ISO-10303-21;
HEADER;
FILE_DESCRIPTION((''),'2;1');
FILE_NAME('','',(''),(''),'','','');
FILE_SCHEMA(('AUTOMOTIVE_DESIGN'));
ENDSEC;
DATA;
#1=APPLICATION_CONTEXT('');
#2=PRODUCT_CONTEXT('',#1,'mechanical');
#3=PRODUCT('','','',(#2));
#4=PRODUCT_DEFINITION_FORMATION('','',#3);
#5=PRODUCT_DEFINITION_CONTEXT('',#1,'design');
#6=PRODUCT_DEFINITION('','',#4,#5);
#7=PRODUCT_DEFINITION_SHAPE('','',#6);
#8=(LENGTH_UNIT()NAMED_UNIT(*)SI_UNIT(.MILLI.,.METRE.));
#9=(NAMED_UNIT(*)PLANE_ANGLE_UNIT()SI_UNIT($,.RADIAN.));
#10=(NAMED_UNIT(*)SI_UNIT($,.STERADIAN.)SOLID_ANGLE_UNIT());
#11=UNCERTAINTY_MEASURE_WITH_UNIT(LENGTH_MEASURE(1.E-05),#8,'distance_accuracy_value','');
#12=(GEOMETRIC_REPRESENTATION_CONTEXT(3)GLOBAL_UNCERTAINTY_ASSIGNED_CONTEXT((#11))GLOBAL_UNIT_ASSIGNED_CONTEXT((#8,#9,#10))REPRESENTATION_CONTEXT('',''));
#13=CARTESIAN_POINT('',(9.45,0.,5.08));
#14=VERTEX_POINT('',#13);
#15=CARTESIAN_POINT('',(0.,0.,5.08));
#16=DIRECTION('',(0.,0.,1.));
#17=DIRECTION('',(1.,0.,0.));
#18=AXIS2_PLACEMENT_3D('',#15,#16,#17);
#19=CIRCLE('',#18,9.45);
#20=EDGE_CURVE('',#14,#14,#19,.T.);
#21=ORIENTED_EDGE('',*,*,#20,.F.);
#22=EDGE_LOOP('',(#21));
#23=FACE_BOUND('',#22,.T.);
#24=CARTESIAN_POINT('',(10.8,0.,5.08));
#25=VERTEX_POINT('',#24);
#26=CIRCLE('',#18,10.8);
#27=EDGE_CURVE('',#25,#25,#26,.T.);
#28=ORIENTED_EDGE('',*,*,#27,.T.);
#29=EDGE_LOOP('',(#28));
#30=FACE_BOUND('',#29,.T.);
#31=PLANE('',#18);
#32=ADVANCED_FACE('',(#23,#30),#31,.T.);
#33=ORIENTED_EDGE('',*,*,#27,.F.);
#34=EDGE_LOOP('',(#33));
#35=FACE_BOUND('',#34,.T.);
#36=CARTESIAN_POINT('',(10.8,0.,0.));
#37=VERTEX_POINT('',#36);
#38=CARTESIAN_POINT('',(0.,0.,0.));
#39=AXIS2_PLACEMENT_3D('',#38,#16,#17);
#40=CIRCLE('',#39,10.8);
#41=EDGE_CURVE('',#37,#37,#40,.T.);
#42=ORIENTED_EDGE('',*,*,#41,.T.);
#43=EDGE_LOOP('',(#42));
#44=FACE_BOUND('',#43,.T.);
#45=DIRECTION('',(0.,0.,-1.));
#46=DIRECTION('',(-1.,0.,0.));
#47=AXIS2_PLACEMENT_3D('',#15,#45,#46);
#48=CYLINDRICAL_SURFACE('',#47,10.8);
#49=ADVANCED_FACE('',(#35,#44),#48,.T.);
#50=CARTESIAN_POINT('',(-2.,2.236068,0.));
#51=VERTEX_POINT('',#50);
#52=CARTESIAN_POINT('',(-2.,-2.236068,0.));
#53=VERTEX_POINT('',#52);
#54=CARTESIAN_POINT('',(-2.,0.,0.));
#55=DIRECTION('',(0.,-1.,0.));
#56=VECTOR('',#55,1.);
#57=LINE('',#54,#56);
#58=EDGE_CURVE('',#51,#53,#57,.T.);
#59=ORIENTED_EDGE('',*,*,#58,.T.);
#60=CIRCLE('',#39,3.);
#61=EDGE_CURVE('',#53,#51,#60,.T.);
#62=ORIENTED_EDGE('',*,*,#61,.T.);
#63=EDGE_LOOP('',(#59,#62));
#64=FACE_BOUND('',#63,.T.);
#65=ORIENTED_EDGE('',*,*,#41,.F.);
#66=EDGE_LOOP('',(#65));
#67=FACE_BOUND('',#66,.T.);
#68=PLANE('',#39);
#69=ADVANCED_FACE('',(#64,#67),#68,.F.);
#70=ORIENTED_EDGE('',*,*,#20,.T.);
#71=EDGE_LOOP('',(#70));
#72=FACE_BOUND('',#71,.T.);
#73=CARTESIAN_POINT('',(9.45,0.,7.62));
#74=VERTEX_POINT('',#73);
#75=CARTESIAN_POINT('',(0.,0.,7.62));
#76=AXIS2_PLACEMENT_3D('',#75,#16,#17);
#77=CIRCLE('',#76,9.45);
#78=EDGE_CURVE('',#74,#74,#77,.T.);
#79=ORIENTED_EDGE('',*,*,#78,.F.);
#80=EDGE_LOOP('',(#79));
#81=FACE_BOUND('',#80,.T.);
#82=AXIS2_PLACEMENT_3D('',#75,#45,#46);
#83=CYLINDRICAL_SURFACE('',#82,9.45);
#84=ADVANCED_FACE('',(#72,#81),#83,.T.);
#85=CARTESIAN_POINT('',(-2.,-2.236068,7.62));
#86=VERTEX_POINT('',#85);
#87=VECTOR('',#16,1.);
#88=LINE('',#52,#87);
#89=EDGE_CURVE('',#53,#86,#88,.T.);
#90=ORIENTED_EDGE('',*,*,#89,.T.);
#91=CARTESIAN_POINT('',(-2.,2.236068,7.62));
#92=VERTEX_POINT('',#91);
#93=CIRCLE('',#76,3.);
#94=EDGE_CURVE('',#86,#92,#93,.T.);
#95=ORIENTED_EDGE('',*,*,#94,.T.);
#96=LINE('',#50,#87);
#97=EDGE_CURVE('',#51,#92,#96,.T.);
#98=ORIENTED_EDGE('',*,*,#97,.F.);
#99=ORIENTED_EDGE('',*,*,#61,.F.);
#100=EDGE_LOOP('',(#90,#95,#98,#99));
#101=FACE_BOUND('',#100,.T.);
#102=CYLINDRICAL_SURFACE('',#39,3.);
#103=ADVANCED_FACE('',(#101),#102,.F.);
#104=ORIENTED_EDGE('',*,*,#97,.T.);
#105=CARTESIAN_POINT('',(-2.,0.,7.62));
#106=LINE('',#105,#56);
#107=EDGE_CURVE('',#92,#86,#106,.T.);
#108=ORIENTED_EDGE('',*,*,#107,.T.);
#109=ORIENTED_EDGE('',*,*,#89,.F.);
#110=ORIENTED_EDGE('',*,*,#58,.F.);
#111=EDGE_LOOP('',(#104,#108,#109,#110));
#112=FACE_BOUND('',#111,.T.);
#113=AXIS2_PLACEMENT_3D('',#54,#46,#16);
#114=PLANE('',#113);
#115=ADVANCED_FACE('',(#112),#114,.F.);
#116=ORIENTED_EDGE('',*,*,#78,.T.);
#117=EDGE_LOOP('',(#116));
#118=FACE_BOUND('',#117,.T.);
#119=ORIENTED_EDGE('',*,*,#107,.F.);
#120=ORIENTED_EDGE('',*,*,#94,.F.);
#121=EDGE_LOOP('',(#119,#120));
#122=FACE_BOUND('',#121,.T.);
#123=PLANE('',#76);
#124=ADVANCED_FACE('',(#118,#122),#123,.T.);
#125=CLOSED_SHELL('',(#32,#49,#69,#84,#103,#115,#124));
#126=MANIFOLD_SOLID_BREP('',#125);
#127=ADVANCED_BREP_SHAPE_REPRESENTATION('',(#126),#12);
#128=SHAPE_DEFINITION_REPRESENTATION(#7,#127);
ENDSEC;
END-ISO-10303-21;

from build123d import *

# Parameters (mm, degrees)
SKETCH1_R           = 10.8
BOSS_EXTRUDE1_DEPTH = 5.08
SKETCH2_R           = 9.45
BOSS_EXTRUDE2_DEPTH = 2.54
CUT_EXTRUDE1_DEPTH  = 18.068813667


with BuildPart() as part:
    # Sketch1 → Boss-Extrude1 (new body)
    with BuildSketch(Plane.XY):
        Circle(SKETCH1_R)
    extrude(amount=BOSS_EXTRUDE1_DEPTH)

    # Sketch2 → Boss-Extrude2 (add)
    with BuildSketch(Plane.XY.offset(5.08)):
        Circle(SKETCH2_R)
    extrude(amount=BOSS_EXTRUDE2_DEPTH)

    # Sketch3 → Cut-Extrude1 (cut, through all)
    with BuildSketch(Plane.XY.offset(7.62)):
        with BuildLine():
            Line((-2, 0), (-2, 2.236067977))
            ThreePointArc((-2, 2.236067977), (3, 0), (-2, -2.236067977))
            Line((-2, -2.236067977), (-2, 0))
        make_face()
    extrude(amount=-CUT_EXTRUDE1_DEPTH, mode=Mode.SUBTRACT)


solid = part.part
